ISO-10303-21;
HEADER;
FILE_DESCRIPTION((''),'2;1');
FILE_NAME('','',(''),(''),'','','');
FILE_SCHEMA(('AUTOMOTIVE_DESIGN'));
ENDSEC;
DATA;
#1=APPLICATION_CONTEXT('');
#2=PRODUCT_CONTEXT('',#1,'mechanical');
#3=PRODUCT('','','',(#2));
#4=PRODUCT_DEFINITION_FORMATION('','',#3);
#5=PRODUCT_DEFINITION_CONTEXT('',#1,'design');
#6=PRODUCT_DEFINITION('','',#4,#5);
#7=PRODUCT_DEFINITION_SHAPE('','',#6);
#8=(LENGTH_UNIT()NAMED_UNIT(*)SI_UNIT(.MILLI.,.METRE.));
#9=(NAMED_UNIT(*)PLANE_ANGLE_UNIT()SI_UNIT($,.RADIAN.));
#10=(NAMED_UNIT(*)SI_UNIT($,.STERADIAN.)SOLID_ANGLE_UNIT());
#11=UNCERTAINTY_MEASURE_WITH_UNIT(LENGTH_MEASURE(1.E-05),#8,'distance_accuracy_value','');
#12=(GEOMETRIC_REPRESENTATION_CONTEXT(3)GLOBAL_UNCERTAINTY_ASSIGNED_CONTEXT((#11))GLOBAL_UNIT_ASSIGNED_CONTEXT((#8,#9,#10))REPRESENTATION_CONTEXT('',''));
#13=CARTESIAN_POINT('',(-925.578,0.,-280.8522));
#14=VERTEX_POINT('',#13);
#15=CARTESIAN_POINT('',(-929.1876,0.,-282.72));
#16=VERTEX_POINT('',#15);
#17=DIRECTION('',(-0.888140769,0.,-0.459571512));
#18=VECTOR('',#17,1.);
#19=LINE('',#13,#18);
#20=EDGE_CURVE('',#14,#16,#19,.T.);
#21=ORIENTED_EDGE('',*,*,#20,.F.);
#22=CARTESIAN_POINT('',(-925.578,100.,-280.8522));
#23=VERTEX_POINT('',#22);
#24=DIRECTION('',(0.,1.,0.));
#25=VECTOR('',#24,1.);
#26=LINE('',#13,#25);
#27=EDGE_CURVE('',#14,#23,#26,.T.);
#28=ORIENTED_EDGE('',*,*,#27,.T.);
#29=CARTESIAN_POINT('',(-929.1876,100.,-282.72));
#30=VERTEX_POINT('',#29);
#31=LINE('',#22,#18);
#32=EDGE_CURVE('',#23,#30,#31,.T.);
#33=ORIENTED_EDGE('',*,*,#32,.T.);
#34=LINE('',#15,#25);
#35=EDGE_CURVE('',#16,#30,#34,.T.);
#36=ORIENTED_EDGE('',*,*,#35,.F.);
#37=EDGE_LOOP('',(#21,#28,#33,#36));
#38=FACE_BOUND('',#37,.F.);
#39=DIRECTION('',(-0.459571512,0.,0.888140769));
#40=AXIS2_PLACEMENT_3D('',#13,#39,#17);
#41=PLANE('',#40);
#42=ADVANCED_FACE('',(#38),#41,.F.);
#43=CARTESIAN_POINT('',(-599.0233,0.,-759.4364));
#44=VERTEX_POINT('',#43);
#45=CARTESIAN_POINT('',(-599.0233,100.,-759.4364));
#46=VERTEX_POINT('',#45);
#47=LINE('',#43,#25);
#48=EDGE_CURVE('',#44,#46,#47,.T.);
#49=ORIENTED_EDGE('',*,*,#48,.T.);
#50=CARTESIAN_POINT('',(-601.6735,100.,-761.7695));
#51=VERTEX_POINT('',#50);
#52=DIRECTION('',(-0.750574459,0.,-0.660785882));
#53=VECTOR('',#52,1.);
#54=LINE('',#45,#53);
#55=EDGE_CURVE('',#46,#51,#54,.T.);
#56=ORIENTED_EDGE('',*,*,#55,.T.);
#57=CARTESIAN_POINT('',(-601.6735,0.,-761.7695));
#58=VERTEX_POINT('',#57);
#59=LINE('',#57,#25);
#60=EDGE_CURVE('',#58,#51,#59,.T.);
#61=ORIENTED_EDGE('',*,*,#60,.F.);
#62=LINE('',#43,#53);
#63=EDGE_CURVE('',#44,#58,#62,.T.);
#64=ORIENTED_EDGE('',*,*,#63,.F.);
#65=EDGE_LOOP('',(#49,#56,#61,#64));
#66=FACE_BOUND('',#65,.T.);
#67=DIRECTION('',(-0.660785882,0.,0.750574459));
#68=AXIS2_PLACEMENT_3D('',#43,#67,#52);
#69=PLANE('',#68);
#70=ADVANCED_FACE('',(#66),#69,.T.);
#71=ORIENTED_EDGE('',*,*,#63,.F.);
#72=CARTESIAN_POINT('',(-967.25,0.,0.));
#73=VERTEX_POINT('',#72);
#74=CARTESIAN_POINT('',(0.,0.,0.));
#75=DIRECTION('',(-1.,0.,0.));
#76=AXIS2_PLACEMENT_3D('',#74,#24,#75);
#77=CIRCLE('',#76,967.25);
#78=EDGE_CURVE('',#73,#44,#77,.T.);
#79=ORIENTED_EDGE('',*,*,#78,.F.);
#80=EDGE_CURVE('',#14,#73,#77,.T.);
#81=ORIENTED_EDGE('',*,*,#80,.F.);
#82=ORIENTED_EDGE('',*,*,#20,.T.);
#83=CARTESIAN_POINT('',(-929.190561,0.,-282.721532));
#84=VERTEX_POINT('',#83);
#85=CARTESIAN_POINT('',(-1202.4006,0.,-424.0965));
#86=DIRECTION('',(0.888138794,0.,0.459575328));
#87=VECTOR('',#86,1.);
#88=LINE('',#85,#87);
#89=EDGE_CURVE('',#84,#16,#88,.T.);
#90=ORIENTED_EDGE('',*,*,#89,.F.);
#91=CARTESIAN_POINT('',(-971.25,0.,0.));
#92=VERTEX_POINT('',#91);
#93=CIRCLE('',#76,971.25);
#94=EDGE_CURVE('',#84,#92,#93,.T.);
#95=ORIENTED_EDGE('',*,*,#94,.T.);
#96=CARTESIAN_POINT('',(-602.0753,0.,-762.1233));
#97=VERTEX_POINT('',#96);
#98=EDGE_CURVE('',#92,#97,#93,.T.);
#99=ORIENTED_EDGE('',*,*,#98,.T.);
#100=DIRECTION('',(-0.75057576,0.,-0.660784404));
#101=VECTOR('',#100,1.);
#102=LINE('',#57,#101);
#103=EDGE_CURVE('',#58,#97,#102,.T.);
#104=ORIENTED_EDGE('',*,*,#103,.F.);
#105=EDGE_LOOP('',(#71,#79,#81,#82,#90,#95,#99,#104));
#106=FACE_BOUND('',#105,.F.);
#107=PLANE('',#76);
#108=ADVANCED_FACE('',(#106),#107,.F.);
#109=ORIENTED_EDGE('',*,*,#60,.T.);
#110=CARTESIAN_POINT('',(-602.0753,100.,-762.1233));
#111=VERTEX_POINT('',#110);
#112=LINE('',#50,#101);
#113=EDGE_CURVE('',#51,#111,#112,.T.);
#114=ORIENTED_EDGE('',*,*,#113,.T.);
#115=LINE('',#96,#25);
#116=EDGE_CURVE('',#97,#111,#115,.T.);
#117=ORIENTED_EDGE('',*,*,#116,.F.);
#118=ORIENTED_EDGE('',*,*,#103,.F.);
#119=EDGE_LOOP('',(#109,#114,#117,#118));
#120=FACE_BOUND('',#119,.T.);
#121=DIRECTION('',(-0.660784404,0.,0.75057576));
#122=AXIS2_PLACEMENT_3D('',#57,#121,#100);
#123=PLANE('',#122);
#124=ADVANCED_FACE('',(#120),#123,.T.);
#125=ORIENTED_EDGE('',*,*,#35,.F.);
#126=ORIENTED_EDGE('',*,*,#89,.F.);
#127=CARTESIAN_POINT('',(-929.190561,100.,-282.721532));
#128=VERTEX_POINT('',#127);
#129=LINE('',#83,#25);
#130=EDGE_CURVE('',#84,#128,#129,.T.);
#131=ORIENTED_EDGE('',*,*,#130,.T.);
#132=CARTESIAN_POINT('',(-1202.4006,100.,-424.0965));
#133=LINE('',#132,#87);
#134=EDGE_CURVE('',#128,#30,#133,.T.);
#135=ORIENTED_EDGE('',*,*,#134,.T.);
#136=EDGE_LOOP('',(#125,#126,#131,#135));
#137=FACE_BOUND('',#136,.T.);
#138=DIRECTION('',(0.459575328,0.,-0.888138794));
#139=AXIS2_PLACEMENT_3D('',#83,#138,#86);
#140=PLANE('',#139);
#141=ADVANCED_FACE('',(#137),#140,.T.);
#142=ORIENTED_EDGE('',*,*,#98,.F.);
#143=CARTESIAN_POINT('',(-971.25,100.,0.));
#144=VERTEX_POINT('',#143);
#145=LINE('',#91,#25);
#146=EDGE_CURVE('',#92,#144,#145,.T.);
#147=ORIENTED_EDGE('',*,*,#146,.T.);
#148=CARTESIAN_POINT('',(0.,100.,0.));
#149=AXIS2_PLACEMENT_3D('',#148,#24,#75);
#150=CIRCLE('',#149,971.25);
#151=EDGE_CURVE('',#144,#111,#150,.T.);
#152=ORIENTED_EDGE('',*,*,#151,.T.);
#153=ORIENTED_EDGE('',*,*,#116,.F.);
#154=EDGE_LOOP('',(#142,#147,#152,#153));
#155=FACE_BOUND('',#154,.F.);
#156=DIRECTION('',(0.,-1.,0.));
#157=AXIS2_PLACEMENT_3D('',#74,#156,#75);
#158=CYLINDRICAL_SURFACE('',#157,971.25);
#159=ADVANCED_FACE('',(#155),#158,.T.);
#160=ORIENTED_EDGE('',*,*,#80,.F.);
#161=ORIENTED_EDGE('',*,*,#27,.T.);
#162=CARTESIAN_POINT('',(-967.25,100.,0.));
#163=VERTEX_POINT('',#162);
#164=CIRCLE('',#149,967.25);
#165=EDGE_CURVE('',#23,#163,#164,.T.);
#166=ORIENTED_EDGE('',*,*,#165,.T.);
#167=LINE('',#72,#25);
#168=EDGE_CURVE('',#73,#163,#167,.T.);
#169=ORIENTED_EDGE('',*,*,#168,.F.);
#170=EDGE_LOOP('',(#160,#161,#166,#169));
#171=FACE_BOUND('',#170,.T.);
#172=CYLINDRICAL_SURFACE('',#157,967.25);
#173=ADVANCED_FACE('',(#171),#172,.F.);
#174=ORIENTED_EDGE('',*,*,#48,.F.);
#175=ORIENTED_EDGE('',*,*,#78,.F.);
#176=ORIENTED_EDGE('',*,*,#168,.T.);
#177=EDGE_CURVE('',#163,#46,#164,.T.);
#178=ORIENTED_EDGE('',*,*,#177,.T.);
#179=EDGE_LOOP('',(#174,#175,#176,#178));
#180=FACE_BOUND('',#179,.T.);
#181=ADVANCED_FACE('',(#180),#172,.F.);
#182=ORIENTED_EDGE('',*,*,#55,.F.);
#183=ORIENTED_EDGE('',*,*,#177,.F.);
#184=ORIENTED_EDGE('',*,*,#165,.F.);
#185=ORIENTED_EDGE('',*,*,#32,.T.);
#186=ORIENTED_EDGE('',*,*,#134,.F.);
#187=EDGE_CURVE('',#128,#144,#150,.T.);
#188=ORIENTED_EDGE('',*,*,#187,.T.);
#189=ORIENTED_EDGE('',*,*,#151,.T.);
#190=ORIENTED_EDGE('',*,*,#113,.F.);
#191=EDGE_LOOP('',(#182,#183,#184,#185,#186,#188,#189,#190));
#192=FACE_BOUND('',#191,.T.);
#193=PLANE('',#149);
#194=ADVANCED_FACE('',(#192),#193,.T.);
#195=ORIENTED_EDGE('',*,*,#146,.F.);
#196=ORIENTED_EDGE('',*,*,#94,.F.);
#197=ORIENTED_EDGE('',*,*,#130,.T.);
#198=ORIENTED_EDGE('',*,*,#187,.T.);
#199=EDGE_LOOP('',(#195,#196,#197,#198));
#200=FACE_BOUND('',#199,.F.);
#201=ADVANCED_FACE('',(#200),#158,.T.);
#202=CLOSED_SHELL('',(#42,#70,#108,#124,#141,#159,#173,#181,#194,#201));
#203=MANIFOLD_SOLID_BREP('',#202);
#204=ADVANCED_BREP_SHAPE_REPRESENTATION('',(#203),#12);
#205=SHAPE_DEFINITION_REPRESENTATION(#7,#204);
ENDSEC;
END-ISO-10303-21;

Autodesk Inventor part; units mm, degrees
ref_plane "YZ Plane" through (0, 0, 0) normal (1, 0, 0) x (0, 1, 0)
ref_plane "XZ Plane" through (0, 0, 0) normal (0, 1, 0) x (-1, 0, 0)
ref_plane "XY Plane" through (0, 0, 0) normal (0, 0, 1) x (1, 0, 0)
sketch "Sketch1" plane through (0, 0, 0) normal (0, 1, 0) x (-1, 0, 0)
  circle A0 centre (0, 0) radius 971.25
  circle A1 centre (0, 0) radius 967.25
  dimension "d0" = 1942.5
  dimension "d1" = 1934.5
extrude "Extrusion1" add sketch "Sketch1" along normal blind 100
sketch "Sketch2" plane through (0, 0, 0) normal (0, -1, 0) x (1, 0, 0)
  line L0 (-1202.4006, -424.0965) -> (-929.1876, -282.72) projected
  line L1 (-601.6735, -761.7695) -> (-832.5638, -965.0384) projected
  circle A0 centre (0, 0) radius 967.25 projected
  line L2 (-599.0233, -759.4364) -> (-602.0753, -762.1233)
  circle A1 centre (0, 0) radius 971.25 projected
  line L3 (-925.578, -280.8522) -> (-929.1876, -282.72)
  point P0 (-929.1905, -282.7216)
extrude "Extrusion2" cut sketch "Sketch2" against normal blind 100 contours L0 L3 A0 L2 L1 A1 picked at (-908.76, -334.5466)
properties part number "Edge Band - Platform D Inner" material "Wood (Birch)"
